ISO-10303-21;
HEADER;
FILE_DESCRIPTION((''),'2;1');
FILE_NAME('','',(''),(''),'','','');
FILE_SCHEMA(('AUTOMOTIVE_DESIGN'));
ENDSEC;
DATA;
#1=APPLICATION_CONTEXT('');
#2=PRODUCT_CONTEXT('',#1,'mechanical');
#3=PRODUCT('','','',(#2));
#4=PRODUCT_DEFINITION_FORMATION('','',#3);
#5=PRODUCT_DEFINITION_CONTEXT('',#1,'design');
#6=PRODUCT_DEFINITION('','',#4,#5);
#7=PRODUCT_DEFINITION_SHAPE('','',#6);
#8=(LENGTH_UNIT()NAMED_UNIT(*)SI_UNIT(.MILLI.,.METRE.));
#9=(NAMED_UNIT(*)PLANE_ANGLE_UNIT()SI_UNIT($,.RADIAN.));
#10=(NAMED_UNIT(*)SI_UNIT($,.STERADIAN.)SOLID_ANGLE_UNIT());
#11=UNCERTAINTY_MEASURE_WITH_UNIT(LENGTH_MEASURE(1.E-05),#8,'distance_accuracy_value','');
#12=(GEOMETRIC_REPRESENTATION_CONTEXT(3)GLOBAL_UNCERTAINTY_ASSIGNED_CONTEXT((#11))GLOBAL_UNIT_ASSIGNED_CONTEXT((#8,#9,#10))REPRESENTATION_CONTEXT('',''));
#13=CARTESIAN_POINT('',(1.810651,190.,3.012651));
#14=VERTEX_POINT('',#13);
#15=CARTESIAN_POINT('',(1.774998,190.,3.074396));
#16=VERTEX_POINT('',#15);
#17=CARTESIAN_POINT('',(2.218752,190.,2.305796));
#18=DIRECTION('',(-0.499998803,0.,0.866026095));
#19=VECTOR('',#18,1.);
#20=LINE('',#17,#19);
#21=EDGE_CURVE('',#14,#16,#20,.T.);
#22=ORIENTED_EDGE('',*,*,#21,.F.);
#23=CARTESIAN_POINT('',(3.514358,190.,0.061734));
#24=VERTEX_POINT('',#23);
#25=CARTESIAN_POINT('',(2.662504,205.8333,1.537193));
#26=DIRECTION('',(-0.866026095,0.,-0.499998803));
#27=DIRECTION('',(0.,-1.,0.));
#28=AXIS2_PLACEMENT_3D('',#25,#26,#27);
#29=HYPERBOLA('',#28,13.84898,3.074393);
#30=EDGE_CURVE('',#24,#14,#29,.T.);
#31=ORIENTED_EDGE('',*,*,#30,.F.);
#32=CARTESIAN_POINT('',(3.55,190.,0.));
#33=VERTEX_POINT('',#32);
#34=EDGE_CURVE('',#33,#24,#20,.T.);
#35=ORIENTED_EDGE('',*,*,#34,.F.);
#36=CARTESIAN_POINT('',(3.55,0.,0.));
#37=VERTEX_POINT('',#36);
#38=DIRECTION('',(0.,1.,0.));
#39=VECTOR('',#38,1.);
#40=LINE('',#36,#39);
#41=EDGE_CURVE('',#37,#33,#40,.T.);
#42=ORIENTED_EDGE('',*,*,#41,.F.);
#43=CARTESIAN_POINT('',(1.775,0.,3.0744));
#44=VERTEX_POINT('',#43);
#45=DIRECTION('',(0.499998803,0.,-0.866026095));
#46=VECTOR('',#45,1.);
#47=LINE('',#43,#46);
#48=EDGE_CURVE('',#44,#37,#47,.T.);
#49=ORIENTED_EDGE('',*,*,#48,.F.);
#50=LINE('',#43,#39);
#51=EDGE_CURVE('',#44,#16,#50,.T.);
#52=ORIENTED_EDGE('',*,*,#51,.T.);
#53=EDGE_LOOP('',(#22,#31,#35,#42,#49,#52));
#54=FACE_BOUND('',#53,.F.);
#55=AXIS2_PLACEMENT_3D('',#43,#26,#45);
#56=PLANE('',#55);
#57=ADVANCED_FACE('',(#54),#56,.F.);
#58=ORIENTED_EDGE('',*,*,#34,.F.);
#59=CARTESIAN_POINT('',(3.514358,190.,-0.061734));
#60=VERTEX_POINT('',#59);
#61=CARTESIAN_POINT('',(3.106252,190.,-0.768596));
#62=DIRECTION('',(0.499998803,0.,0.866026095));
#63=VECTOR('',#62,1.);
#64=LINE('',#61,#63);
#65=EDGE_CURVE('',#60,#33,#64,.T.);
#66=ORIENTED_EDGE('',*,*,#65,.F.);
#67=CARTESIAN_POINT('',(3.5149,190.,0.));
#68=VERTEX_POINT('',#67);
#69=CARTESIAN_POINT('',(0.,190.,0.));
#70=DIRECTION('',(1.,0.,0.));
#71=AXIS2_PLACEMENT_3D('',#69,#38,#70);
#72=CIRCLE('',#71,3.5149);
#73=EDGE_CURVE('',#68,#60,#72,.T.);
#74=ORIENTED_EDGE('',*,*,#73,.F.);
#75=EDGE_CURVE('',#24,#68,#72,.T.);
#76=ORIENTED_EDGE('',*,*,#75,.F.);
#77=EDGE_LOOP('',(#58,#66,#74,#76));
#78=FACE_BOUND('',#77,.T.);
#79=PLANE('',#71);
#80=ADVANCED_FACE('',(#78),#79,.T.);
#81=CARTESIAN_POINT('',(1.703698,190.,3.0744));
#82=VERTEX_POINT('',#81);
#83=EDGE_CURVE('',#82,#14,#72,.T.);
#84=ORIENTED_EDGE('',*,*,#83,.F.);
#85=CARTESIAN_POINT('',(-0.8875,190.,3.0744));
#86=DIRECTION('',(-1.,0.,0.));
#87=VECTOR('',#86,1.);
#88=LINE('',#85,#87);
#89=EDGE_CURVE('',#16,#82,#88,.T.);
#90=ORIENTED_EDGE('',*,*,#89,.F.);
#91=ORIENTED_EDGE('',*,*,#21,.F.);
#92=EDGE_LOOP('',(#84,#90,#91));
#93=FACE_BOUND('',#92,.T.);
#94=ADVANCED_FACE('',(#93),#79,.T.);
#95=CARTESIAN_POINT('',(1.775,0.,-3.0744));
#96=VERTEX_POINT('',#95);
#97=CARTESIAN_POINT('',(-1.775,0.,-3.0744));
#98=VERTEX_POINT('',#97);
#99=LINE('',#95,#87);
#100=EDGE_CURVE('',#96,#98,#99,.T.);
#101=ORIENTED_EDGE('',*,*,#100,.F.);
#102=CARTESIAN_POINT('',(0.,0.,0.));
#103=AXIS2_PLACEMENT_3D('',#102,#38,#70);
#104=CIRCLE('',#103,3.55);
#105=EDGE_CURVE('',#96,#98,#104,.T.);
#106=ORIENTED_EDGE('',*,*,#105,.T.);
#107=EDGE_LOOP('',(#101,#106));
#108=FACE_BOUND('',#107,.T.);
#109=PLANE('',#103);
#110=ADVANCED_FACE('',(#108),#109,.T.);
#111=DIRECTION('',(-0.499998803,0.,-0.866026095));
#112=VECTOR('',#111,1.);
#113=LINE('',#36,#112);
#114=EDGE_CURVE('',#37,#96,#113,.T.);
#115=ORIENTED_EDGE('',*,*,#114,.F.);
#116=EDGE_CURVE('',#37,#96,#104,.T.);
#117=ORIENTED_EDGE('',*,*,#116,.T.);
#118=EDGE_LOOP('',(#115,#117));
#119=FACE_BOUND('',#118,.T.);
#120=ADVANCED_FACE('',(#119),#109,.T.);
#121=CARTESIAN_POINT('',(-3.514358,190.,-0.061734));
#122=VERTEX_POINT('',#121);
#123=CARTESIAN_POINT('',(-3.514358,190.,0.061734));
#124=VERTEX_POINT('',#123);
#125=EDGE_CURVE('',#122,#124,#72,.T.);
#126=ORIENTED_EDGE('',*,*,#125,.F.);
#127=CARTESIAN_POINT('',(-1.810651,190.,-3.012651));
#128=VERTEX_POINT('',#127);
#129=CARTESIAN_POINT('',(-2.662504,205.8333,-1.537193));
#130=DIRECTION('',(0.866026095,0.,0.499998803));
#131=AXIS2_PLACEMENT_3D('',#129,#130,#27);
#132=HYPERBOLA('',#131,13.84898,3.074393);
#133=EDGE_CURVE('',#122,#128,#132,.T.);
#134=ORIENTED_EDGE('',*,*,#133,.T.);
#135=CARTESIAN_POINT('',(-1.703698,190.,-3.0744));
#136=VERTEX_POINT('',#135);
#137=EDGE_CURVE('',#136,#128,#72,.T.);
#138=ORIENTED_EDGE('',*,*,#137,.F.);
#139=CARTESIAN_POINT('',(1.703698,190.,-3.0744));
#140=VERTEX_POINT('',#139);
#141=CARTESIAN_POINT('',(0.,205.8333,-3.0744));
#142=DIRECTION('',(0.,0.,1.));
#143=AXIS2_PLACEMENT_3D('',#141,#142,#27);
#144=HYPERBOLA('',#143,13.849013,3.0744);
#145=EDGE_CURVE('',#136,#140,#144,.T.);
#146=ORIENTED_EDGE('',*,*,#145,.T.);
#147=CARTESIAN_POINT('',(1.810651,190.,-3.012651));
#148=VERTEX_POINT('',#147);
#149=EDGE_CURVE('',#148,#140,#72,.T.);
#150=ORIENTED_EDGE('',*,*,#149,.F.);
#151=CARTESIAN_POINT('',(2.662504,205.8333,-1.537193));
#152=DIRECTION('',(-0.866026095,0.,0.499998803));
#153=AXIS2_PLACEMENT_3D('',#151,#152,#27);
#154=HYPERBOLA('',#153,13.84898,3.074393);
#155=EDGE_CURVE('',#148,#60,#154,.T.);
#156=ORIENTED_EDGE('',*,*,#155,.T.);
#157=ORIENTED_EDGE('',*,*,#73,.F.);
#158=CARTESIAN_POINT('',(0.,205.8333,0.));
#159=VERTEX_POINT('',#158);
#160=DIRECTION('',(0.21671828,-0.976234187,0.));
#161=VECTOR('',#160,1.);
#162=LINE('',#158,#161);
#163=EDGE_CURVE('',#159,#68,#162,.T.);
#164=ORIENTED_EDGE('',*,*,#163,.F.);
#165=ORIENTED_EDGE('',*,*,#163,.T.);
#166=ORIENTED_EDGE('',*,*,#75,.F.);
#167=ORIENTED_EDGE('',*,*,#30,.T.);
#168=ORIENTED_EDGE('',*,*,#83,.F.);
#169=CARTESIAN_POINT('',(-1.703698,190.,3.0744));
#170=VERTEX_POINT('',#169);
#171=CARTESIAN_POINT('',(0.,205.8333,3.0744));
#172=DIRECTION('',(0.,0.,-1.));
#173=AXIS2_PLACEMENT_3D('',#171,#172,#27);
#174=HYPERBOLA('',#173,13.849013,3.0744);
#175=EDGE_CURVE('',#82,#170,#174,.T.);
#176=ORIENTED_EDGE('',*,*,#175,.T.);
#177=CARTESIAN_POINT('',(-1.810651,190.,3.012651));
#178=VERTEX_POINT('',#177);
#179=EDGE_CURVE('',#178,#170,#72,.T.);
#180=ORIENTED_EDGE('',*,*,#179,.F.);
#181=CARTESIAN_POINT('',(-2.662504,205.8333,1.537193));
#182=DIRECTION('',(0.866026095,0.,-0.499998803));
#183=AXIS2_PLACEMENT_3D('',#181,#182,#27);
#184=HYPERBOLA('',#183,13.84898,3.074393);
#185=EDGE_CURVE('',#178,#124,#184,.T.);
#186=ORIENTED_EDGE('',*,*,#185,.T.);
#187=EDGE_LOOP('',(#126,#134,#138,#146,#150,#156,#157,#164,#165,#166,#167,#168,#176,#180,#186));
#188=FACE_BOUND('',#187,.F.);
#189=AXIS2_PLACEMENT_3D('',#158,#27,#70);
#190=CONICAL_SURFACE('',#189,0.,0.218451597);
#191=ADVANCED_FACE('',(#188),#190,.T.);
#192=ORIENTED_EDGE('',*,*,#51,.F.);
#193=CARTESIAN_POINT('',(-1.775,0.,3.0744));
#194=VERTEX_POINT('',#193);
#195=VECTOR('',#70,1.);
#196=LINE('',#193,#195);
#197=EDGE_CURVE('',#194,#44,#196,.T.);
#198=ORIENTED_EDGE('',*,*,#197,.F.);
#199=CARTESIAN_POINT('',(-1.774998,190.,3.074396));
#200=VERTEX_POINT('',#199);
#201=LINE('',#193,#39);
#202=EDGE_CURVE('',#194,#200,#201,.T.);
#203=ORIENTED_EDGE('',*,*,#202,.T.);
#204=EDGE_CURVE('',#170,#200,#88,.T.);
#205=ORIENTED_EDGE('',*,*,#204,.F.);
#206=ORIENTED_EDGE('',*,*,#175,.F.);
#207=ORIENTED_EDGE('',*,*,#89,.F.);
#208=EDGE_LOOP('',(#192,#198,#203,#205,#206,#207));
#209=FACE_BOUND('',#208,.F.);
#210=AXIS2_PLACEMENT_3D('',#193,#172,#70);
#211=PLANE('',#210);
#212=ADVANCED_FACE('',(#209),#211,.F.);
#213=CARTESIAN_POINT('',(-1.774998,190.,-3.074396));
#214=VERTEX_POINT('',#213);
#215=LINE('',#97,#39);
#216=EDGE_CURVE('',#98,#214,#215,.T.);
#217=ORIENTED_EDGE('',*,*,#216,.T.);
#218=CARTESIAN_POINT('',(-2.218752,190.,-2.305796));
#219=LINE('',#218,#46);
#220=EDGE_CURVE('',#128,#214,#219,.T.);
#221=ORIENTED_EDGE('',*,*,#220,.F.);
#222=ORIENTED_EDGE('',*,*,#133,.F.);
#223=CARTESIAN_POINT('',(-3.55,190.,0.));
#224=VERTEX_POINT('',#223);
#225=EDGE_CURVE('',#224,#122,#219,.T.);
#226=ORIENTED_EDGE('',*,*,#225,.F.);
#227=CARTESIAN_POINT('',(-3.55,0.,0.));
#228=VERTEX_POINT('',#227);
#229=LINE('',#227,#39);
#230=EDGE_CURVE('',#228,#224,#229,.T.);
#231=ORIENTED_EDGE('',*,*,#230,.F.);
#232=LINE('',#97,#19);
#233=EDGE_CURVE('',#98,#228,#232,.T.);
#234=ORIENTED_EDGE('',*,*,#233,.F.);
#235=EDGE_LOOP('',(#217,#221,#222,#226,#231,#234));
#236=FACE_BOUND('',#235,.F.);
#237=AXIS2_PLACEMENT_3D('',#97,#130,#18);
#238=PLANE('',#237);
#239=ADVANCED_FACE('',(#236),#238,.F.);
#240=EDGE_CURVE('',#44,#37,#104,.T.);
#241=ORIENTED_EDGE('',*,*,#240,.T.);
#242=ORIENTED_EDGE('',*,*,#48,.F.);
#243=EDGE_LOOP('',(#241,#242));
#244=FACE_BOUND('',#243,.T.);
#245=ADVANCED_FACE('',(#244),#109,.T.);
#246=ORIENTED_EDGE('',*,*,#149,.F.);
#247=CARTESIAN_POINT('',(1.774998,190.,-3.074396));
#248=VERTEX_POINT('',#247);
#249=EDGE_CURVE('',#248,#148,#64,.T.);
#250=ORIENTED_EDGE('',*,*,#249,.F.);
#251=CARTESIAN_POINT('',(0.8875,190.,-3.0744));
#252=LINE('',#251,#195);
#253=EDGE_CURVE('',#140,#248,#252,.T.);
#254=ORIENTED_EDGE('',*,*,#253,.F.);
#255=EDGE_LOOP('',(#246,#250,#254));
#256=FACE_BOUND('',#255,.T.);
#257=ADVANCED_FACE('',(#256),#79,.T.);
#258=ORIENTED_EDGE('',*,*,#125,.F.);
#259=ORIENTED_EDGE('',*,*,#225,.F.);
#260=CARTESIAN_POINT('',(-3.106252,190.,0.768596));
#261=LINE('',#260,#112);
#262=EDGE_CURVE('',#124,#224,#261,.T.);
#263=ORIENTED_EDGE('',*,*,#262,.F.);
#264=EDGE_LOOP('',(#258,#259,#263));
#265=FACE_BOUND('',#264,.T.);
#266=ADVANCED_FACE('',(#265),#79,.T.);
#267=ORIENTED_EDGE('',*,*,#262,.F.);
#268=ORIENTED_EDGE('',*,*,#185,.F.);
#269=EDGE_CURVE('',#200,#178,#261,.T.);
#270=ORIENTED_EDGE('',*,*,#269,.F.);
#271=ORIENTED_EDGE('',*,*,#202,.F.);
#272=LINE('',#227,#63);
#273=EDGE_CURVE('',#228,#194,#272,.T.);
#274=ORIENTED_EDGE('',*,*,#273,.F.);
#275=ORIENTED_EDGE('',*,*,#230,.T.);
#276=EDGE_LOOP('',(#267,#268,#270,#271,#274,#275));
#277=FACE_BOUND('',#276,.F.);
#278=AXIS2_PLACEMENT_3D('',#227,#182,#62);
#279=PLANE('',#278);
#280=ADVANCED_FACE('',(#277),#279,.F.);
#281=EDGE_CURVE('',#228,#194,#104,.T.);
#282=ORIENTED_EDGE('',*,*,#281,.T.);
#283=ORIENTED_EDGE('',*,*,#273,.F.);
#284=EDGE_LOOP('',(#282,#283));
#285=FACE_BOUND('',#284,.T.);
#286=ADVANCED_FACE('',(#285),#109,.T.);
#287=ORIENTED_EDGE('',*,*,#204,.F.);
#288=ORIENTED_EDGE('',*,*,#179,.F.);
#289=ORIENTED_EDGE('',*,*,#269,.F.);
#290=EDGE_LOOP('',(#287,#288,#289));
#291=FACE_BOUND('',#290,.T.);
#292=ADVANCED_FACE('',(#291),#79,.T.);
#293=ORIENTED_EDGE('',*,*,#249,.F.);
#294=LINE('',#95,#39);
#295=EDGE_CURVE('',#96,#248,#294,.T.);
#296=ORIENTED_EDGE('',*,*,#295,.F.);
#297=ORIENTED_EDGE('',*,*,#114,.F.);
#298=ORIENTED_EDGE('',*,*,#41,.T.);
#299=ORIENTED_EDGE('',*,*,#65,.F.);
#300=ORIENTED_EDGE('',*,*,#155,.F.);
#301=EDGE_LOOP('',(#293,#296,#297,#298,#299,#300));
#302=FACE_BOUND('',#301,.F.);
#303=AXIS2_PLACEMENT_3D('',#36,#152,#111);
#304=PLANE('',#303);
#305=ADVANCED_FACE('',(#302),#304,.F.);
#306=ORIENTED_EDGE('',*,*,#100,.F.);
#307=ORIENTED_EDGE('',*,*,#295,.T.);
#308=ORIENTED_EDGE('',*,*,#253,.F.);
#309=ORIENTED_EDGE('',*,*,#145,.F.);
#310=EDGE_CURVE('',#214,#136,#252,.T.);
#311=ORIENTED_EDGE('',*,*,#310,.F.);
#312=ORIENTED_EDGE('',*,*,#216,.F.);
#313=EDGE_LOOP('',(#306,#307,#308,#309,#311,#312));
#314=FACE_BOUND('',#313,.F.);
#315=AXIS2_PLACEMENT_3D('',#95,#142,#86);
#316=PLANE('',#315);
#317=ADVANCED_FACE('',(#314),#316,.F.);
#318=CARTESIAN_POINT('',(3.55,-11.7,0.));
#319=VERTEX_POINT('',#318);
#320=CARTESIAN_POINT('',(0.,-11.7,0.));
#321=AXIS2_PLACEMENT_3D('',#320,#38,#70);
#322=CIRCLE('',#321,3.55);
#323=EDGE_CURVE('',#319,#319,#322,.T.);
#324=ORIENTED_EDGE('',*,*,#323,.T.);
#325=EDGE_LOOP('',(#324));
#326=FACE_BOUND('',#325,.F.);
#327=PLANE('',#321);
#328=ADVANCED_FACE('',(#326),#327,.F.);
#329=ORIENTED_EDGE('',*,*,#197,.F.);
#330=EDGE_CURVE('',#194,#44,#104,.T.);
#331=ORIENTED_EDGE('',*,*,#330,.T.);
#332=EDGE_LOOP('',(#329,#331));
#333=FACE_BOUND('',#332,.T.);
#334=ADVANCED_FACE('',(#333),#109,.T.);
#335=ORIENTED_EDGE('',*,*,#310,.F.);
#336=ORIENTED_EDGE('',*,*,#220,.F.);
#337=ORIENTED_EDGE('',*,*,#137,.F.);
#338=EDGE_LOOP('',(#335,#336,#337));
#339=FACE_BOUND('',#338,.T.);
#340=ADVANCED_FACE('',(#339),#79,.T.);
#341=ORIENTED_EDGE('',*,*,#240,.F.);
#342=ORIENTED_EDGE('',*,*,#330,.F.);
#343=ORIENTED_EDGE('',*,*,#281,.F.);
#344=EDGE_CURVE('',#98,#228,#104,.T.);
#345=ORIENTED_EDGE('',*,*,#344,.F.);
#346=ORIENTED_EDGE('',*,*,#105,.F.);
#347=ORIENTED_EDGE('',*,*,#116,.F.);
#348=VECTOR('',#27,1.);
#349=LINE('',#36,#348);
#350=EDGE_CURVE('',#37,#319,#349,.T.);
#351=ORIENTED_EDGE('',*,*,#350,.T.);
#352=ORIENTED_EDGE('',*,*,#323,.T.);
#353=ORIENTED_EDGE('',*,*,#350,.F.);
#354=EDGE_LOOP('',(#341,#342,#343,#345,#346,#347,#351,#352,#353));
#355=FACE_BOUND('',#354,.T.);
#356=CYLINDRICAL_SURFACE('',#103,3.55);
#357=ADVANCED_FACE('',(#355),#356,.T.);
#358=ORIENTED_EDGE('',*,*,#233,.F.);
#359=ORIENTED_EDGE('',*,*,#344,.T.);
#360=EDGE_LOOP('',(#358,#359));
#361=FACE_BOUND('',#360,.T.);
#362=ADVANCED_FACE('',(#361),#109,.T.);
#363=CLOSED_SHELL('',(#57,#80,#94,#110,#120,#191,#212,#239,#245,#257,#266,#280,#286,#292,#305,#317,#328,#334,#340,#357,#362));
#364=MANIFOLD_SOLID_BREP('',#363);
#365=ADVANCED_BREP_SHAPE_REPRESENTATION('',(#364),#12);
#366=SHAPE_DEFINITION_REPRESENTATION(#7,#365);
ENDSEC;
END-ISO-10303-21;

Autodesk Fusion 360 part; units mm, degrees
sketch "Sketch1" plane through (0, 0, 0) normal (0, 1, 0) x (1, 0, 0)
  line L0 (1.775, -3.0744) -> (3.55, 0)
  line L1 (3.55, 0) -> (1.775, 3.0744)
  line L2 (1.775, 3.0744) -> (-1.775, 3.0744)
  line L3 (-1.775, 3.0744) -> (-3.55, 0)
  line L4 (-3.55, 0) -> (-1.775, -3.0744)
  line L5 (-1.775, -3.0744) -> (1.775, -3.0744)
  circle A0 centre (0, 0) radius 3.55
  dimension "d6" = 3.55
  dimension "d8" = 7.1
extrude "Extrude1" add sketch "Sketch1" along normal blind 190
sketch "Sketch2" plane through (0, 0, 0) normal (0, 0, 1) x (1, 0, 0)
  line L0 (0, 190) -> (0, 205.8333)
  line L1 (0, 205.8333) -> (3.5149, 190)
  line L2 (0, 190) -> (3.5149, 190)
  dimension "d11" = 15.8333
revolve "Revolve1" add sketch "Sketch2" angle 360 about axis through (0, 190, 0) along (0, 1, 0)
extrude "Extrude2" cut sketch "Sketch1" along normal blind 205 contours L5 A0 | L0 A0 | L1 A0 | L4 A0 | L2 A0 | L3 A0
sketch "Sketch3" plane through (0, 0, 0) normal (1, 0, 0) x (0, 1, 0)
extrude "Extrude3" add sketch "Sketch1" against normal blind 11.7
equation "width = 7.1 mm"
equation "tip_diameter = 2.4 mm"
equation "eraser_holder_height = 11.7 mm"
equation "eraser_height = 4.7 mm"
equation "height = 190 mm"
equation "d6 = width / 2"
equation "d8 = width"
equation "d9 = height"
equation "d11 = height / 12"
equation "d15 = eraser_holder_height * -1"
